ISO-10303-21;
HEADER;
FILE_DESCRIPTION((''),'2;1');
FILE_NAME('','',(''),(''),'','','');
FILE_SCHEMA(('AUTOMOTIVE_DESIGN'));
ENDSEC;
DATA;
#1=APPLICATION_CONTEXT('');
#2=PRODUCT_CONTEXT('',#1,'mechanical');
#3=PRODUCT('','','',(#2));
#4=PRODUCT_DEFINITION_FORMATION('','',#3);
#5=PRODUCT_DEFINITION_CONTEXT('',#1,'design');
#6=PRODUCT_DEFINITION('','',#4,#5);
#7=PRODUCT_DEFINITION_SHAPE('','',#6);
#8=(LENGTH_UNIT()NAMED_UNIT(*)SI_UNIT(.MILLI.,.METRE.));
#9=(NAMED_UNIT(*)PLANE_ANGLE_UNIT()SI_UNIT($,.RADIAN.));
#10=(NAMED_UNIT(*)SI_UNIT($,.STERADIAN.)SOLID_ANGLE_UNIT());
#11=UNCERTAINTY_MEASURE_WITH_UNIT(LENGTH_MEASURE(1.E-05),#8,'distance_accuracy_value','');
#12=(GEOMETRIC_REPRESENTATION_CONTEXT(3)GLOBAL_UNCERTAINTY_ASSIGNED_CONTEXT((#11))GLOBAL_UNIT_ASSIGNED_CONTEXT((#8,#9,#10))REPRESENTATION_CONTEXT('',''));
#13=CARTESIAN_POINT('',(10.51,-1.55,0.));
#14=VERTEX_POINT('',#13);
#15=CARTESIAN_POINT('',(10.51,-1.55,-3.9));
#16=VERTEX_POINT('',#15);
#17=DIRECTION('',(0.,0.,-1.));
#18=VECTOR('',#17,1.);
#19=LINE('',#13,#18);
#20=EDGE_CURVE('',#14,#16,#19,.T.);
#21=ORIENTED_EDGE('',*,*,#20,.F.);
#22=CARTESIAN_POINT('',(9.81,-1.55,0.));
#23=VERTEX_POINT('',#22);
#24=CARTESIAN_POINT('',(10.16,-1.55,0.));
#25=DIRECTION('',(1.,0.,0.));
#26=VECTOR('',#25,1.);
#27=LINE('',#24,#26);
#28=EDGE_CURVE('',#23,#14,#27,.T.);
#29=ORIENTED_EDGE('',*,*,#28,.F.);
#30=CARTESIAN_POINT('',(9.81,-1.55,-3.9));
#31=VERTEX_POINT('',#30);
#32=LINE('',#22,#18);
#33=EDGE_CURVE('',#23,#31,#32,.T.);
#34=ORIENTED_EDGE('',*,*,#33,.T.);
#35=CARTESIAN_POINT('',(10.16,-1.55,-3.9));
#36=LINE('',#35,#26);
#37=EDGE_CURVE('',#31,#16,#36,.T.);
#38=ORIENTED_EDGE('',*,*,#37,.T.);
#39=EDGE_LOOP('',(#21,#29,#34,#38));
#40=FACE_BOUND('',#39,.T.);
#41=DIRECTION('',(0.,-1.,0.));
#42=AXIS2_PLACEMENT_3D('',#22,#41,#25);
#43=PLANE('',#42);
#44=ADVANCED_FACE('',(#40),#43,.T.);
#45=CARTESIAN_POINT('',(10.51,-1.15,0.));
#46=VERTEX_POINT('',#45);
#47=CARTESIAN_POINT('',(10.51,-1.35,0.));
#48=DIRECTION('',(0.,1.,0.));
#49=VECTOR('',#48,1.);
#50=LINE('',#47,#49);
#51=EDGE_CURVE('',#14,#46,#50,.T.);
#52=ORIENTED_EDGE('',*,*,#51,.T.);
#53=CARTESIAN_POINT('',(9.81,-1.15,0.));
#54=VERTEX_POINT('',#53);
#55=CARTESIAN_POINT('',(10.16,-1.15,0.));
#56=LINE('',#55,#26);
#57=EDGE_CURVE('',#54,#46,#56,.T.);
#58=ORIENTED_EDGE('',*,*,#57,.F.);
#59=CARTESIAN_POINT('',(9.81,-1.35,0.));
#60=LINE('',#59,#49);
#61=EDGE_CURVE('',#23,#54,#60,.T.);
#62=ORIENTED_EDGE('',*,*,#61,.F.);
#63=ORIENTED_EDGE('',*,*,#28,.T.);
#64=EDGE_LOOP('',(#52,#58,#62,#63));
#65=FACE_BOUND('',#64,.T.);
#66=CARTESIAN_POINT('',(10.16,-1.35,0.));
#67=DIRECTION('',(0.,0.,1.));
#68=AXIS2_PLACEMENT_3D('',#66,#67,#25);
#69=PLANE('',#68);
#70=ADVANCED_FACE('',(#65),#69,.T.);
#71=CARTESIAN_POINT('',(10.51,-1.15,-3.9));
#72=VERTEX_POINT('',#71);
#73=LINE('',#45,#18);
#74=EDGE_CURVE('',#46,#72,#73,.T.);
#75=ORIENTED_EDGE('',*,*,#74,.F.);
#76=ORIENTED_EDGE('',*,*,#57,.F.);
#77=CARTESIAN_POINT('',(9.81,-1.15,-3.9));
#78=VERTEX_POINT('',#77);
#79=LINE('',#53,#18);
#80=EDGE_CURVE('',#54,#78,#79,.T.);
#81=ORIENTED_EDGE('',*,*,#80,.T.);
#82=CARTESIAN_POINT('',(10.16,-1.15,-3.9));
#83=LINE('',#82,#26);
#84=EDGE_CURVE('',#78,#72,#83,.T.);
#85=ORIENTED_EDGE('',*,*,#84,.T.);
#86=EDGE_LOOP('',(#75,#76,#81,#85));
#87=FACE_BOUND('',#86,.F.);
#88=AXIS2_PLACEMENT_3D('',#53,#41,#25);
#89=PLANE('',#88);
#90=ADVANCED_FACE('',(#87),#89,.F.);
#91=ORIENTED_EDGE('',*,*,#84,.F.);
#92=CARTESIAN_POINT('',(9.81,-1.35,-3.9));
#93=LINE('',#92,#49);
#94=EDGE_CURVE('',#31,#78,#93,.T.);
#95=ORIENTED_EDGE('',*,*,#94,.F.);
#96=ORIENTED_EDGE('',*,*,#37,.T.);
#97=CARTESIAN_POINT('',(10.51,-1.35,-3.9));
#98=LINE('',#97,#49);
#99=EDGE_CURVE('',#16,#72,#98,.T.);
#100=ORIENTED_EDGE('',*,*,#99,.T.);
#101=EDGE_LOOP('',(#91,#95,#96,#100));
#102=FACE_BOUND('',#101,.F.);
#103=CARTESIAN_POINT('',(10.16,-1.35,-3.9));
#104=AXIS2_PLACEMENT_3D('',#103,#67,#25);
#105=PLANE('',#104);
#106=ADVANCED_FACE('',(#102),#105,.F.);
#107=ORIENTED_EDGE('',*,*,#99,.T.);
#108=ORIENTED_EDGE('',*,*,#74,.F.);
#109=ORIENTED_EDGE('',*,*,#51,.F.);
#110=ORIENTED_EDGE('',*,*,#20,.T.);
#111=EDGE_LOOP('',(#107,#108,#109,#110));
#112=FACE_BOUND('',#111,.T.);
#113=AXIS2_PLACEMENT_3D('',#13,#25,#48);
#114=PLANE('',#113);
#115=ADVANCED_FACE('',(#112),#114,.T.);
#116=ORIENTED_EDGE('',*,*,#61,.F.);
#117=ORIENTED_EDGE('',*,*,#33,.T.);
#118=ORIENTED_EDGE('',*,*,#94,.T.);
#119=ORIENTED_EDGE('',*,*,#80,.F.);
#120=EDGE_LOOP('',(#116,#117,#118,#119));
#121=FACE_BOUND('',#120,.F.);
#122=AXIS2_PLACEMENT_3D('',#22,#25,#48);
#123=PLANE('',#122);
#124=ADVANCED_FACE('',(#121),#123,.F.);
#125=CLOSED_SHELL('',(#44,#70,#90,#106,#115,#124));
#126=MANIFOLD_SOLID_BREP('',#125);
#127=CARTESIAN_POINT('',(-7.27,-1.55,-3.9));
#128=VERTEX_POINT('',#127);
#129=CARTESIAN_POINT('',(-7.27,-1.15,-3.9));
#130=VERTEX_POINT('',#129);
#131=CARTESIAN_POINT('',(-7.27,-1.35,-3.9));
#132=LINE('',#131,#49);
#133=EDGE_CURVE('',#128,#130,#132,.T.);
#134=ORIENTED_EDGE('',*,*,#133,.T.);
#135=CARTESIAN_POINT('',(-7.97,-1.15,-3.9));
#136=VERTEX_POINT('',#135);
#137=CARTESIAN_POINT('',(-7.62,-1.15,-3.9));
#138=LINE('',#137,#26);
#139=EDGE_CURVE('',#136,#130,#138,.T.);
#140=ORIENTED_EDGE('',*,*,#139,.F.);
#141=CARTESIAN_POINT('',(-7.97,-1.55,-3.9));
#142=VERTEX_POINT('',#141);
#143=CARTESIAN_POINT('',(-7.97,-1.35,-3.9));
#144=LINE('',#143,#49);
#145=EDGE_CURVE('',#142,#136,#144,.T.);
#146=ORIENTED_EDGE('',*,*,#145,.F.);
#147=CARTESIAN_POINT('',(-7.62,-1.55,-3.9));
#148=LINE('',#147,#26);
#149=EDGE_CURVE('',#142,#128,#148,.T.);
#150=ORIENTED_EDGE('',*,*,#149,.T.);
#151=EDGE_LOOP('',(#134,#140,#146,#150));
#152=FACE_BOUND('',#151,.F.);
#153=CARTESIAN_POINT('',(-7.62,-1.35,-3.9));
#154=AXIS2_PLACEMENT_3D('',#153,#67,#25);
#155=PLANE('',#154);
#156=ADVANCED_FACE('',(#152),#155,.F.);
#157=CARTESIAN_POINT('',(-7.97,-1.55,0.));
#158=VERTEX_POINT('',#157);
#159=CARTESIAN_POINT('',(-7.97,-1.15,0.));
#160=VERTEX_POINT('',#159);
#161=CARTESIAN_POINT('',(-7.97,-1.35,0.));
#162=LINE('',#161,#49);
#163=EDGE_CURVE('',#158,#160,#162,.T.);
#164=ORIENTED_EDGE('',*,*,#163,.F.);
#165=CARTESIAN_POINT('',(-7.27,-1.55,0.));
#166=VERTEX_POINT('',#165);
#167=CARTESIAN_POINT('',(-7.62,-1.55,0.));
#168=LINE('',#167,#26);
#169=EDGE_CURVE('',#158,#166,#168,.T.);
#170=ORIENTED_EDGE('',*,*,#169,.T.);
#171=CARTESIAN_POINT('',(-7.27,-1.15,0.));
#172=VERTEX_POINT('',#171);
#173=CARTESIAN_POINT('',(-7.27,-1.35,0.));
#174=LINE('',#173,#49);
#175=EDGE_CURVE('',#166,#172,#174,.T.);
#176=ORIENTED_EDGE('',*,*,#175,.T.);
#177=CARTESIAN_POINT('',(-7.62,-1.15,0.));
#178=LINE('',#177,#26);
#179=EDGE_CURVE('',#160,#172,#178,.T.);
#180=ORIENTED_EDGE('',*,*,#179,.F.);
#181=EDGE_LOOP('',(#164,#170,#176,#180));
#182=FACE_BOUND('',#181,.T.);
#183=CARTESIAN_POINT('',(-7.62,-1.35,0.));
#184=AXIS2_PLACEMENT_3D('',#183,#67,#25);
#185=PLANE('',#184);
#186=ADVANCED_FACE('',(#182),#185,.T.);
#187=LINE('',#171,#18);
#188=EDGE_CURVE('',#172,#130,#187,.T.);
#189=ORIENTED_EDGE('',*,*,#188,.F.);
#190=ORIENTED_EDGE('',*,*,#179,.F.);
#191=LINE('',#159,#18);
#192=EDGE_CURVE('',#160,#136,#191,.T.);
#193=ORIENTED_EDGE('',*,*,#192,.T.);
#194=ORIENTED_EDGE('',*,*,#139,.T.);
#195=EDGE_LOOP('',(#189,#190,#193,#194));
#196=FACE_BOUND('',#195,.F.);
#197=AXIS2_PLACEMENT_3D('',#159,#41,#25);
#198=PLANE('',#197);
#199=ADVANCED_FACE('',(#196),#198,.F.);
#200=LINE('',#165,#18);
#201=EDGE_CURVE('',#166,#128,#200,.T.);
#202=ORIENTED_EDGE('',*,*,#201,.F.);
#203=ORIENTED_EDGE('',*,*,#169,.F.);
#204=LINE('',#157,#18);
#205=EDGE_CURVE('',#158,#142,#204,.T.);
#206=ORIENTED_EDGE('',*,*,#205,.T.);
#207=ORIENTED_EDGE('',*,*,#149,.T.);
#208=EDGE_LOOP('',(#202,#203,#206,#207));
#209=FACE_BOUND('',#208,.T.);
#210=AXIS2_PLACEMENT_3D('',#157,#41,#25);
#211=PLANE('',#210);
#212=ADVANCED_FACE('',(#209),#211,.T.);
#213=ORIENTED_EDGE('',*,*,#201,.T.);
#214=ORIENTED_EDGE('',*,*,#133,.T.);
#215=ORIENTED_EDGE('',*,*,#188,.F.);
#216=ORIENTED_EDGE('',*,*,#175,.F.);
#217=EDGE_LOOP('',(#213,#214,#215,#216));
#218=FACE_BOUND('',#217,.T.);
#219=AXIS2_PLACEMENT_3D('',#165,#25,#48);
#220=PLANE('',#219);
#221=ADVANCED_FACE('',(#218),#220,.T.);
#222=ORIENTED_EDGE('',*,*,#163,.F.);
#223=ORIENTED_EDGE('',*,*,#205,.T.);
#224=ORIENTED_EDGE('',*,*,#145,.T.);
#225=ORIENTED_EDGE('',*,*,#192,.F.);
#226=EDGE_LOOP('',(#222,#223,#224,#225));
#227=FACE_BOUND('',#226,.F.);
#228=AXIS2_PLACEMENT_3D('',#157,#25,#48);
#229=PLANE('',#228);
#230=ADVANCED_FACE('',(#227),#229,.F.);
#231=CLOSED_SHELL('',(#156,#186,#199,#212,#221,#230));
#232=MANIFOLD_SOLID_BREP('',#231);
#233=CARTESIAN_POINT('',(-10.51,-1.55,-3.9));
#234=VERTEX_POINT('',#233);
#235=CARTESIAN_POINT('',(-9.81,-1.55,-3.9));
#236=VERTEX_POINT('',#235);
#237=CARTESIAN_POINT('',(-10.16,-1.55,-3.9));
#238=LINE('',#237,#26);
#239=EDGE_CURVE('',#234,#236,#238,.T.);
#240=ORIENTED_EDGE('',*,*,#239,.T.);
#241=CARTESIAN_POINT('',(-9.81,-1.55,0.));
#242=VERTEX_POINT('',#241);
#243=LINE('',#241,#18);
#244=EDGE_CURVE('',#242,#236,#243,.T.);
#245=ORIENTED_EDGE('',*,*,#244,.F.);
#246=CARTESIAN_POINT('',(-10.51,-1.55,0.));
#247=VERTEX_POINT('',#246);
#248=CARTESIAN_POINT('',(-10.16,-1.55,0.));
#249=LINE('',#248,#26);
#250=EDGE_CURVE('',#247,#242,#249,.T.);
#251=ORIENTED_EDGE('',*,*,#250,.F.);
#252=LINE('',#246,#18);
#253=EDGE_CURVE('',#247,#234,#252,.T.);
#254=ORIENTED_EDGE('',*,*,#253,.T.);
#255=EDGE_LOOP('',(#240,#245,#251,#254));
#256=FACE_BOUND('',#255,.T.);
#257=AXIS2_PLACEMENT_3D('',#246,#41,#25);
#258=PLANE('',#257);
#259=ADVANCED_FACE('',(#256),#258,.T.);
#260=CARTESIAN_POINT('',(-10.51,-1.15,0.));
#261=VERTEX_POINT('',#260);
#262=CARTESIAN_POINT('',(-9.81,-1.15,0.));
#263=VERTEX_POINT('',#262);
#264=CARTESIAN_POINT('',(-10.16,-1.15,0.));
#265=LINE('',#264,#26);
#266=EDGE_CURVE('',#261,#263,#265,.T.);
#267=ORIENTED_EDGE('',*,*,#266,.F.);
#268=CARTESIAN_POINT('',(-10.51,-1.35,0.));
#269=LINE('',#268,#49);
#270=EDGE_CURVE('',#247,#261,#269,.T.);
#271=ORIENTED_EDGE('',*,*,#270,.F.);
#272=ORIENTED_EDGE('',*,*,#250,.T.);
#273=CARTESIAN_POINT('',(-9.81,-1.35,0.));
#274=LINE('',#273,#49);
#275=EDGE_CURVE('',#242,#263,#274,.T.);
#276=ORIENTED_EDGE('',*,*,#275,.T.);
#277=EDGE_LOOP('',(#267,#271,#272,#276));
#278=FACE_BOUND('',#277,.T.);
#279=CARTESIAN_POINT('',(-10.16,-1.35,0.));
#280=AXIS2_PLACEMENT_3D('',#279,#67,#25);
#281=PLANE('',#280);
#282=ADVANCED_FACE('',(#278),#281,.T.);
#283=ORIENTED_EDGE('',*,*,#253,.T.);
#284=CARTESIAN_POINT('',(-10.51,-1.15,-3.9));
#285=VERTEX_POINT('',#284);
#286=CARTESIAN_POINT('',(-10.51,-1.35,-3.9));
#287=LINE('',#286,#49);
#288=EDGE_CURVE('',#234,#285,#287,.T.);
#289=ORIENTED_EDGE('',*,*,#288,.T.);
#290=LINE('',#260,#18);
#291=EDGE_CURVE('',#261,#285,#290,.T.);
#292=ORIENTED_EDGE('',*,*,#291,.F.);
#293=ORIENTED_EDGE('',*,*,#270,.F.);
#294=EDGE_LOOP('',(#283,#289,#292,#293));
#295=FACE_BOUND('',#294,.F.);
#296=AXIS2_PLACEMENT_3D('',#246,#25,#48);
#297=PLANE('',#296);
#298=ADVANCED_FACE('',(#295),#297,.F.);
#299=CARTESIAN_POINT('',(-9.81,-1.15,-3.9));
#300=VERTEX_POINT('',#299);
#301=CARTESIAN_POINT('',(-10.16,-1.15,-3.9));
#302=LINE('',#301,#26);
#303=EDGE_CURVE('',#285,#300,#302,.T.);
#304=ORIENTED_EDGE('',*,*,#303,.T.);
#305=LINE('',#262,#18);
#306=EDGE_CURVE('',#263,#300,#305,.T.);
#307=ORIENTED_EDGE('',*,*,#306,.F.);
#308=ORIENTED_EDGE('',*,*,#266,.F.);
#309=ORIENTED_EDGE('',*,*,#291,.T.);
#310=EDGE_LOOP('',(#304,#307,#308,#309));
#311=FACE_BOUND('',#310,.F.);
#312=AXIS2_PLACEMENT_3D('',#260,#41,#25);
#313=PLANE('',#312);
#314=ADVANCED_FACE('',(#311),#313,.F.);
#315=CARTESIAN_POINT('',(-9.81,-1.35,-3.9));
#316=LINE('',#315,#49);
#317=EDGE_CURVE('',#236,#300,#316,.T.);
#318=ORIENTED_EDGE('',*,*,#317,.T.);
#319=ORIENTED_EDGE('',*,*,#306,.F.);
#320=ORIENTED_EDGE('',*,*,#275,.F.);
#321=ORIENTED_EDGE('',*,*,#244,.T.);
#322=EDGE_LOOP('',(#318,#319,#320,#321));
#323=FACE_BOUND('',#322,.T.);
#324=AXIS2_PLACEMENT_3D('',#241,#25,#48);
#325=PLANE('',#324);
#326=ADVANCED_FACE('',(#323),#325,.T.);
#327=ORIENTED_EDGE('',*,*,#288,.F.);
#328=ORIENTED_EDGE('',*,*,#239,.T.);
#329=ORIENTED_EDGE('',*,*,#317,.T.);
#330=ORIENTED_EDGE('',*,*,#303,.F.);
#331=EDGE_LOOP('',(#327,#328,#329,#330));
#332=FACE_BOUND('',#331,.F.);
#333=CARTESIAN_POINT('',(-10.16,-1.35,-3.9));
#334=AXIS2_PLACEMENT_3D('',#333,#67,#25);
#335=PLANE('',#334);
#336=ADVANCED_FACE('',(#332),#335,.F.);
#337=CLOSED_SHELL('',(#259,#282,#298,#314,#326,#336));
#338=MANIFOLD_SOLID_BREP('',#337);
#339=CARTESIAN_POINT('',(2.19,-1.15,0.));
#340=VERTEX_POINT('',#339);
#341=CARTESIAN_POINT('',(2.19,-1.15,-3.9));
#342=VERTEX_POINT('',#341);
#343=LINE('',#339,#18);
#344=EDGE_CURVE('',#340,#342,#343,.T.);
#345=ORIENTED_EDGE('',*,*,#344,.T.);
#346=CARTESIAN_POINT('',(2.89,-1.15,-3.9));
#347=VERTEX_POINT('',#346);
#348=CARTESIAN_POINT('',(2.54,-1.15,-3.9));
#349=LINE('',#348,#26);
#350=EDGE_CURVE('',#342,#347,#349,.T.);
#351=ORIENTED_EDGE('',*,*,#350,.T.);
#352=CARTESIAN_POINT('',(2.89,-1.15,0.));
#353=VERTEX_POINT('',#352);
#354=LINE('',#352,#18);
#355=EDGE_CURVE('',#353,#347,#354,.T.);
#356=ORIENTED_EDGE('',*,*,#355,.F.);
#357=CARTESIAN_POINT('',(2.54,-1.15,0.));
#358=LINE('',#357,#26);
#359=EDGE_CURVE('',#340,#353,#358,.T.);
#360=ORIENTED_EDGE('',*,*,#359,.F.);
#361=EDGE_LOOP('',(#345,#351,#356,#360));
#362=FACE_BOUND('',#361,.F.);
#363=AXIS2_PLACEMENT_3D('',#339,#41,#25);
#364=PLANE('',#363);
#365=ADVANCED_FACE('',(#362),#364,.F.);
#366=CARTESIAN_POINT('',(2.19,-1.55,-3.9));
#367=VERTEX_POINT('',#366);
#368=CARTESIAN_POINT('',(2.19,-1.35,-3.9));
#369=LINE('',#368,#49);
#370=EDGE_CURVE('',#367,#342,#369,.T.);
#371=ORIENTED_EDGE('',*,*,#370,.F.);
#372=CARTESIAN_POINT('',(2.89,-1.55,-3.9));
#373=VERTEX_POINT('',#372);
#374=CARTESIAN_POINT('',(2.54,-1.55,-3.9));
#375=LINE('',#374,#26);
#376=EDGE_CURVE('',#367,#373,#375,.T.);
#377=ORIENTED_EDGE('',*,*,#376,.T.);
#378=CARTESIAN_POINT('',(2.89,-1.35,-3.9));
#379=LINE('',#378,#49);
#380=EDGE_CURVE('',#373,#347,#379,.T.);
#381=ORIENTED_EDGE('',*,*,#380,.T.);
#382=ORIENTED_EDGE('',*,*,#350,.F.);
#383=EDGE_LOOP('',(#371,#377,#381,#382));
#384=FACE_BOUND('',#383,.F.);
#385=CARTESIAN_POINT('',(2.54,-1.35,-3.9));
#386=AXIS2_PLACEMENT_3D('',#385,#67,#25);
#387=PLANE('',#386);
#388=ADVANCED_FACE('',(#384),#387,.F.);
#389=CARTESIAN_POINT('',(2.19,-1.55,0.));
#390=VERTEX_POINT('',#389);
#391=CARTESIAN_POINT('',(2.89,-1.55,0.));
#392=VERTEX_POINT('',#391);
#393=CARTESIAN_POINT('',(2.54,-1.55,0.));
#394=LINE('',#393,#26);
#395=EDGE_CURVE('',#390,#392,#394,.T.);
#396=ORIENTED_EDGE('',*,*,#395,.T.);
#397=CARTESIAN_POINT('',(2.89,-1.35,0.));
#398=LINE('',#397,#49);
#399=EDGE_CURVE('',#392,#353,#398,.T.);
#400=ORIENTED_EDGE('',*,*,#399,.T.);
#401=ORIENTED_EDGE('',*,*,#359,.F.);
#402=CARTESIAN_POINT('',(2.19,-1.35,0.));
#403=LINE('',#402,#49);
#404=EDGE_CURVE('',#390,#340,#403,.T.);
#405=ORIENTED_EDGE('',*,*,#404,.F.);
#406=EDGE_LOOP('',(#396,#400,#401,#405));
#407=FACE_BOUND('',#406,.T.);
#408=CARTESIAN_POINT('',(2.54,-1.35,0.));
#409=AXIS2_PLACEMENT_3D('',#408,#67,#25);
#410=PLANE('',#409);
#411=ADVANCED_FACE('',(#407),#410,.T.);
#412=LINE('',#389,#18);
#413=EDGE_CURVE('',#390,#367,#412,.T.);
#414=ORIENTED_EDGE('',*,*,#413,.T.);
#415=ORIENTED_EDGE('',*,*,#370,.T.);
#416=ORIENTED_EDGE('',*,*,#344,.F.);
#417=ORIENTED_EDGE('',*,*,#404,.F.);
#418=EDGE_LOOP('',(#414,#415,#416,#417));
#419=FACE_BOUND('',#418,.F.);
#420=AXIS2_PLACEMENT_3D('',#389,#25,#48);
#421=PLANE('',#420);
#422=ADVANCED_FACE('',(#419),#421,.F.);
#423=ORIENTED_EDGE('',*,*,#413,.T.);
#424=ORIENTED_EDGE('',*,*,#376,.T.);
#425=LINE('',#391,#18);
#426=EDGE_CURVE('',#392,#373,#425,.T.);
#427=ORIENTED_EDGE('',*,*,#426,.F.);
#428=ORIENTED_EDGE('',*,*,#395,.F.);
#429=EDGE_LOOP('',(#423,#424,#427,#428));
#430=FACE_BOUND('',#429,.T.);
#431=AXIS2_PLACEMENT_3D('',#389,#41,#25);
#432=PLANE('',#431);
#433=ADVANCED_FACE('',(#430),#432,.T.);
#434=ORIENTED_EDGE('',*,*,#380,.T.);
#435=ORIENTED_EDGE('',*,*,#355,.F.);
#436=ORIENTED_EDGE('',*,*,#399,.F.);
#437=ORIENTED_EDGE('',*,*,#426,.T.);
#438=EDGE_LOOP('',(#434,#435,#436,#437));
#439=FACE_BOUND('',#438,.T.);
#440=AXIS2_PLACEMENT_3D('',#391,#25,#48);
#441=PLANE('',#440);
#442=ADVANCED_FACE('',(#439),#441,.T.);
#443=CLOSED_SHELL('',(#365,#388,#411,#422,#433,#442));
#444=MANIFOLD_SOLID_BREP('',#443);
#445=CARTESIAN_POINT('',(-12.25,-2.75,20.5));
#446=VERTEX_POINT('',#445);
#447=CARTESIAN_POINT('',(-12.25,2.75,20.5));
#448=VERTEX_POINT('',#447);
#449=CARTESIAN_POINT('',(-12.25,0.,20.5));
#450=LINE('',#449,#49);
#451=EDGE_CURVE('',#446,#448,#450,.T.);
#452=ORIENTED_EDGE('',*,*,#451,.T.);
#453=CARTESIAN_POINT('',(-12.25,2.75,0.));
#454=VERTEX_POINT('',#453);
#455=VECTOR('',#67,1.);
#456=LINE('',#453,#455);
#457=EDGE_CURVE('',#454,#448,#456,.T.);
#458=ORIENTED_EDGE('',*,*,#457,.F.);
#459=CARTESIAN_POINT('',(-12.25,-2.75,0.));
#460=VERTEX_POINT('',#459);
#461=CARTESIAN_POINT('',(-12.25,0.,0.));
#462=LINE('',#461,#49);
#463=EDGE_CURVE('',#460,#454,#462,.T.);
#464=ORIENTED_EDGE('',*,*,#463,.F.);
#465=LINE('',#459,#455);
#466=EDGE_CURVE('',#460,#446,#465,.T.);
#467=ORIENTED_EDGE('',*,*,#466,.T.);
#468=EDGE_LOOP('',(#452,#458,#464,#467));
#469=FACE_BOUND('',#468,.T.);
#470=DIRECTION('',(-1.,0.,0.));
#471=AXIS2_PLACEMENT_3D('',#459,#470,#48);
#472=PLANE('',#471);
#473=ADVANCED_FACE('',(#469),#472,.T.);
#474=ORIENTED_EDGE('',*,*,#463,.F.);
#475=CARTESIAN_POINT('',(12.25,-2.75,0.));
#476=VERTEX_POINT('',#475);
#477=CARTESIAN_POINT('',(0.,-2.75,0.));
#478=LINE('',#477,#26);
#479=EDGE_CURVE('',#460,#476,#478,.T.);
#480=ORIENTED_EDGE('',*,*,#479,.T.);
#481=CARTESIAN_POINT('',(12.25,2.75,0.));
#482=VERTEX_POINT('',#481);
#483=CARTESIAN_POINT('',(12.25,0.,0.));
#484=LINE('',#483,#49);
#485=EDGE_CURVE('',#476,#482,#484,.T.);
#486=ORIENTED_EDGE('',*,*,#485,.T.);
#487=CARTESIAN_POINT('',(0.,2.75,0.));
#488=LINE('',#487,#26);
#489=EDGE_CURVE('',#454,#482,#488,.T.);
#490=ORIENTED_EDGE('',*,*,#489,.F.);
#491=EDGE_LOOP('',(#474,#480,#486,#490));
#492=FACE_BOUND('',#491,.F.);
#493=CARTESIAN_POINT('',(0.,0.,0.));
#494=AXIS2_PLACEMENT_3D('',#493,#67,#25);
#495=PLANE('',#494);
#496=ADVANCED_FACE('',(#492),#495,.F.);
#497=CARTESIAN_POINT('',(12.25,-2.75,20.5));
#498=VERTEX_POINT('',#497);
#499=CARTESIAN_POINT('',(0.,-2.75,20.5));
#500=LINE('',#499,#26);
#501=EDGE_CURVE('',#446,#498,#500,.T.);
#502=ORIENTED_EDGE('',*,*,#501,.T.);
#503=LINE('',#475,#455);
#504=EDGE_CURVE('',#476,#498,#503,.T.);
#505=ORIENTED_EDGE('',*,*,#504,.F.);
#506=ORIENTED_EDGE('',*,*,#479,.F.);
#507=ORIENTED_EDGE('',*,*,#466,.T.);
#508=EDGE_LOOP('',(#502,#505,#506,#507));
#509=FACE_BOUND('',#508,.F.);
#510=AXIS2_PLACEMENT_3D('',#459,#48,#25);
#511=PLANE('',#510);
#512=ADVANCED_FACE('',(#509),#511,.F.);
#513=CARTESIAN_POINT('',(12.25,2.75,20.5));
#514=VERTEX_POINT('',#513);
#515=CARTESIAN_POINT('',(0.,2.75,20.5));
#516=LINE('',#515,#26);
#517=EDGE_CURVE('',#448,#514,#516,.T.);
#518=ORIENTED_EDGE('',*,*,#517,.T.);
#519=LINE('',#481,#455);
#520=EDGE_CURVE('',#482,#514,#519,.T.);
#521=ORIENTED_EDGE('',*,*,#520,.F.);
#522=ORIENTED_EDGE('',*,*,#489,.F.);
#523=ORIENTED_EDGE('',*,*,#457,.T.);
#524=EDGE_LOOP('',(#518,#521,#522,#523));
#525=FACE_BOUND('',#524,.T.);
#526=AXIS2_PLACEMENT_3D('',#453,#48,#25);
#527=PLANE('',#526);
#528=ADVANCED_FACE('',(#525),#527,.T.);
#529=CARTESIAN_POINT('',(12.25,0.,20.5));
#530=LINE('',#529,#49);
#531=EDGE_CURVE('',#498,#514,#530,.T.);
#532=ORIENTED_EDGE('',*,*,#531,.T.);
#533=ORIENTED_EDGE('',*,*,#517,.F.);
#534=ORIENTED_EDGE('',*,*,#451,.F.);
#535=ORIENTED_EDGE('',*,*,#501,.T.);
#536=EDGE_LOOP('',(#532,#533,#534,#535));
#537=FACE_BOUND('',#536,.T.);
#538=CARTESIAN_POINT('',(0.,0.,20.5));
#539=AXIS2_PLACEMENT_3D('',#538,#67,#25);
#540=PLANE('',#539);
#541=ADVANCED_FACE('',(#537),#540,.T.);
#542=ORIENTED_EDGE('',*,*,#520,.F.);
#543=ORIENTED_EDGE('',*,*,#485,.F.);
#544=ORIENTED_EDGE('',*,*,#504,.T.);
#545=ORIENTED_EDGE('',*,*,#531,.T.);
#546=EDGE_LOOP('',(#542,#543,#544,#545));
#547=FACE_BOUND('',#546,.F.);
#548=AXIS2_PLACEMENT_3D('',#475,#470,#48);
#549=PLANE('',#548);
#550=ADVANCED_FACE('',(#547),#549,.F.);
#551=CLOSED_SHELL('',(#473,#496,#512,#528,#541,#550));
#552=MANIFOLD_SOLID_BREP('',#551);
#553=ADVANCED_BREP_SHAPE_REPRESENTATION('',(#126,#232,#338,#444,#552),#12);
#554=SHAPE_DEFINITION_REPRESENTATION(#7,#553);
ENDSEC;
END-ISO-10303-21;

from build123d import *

# Parameters (mm, degrees)
F0_W     = 24.5
F0_H     = 5.5
F0_W_2   = 0.7
F0_H_2   = 0.4
F1_DEPTH = 20.5
F2_DEPTH = 3.9


with BuildPart() as f1:
    # F0 (on Top) → F1 (new body)
    with BuildSketch(Plane.XY):
        Rectangle(F0_W, F0_H)
        with Locations((-10.16, -1.35)):
            Rectangle(F0_W_2, F0_H_2, mode=Mode.SUBTRACT)
        with Locations((-7.62, -1.35)):
            Rectangle(F0_W_2, F0_H_2, mode=Mode.SUBTRACT)
        with Locations((2.54, -1.35)):
            Rectangle(F0_W_2, F0_H_2, mode=Mode.SUBTRACT)
        with Locations((10.16, -1.35)):
            Rectangle(F0_W_2, F0_H_2, mode=Mode.SUBTRACT)
        with Locations((-10.16, -1.35)):
            Rectangle(F0_W_2, F0_H_2)
        with Locations((2.54, -1.35)):
            Rectangle(F0_W_2, F0_H_2)
        with Locations((10.16, -1.35)):
            Rectangle(F0_W_2, F0_H_2)
        with Locations((-7.62, -1.35)):
            Rectangle(F0_W_2, F0_H_2)
    extrude(amount=F1_DEPTH)


with BuildPart() as f2:
    # F0 (on Top) → F2 (new body)
    with BuildSketch(Plane.XY):
        with Locations((-10.16, -1.35)):
            Rectangle(F0_W_2, F0_H_2)
    extrude(amount=-F2_DEPTH)


with BuildPart() as f2b:
    # F0 (on Top) → F2, piece 2 (new body)
    with BuildSketch(Plane.XY):
        with Locations((-7.62, -1.35)):
            Rectangle(F0_W_2, F0_H_2)
    extrude(amount=-F2_DEPTH)


with BuildPart() as f2c:
    # F0 (on Top) → F2, piece 3 (new body)
    with BuildSketch(Plane.XY):
        with Locations((2.54, -1.35)):
            Rectangle(F0_W_2, F0_H_2)
    extrude(amount=-F2_DEPTH)


with BuildPart() as f2d:
    # F0 (on Top) → F2, piece 4 (new body)
    with BuildSketch(Plane.XY):
        with Locations((10.16, -1.35)):
            Rectangle(F0_W_2, F0_H_2)
    extrude(amount=-F2_DEPTH)


solid = Compound([f1.part, f2.part, f2b.part, f2c.part, f2d.part])
